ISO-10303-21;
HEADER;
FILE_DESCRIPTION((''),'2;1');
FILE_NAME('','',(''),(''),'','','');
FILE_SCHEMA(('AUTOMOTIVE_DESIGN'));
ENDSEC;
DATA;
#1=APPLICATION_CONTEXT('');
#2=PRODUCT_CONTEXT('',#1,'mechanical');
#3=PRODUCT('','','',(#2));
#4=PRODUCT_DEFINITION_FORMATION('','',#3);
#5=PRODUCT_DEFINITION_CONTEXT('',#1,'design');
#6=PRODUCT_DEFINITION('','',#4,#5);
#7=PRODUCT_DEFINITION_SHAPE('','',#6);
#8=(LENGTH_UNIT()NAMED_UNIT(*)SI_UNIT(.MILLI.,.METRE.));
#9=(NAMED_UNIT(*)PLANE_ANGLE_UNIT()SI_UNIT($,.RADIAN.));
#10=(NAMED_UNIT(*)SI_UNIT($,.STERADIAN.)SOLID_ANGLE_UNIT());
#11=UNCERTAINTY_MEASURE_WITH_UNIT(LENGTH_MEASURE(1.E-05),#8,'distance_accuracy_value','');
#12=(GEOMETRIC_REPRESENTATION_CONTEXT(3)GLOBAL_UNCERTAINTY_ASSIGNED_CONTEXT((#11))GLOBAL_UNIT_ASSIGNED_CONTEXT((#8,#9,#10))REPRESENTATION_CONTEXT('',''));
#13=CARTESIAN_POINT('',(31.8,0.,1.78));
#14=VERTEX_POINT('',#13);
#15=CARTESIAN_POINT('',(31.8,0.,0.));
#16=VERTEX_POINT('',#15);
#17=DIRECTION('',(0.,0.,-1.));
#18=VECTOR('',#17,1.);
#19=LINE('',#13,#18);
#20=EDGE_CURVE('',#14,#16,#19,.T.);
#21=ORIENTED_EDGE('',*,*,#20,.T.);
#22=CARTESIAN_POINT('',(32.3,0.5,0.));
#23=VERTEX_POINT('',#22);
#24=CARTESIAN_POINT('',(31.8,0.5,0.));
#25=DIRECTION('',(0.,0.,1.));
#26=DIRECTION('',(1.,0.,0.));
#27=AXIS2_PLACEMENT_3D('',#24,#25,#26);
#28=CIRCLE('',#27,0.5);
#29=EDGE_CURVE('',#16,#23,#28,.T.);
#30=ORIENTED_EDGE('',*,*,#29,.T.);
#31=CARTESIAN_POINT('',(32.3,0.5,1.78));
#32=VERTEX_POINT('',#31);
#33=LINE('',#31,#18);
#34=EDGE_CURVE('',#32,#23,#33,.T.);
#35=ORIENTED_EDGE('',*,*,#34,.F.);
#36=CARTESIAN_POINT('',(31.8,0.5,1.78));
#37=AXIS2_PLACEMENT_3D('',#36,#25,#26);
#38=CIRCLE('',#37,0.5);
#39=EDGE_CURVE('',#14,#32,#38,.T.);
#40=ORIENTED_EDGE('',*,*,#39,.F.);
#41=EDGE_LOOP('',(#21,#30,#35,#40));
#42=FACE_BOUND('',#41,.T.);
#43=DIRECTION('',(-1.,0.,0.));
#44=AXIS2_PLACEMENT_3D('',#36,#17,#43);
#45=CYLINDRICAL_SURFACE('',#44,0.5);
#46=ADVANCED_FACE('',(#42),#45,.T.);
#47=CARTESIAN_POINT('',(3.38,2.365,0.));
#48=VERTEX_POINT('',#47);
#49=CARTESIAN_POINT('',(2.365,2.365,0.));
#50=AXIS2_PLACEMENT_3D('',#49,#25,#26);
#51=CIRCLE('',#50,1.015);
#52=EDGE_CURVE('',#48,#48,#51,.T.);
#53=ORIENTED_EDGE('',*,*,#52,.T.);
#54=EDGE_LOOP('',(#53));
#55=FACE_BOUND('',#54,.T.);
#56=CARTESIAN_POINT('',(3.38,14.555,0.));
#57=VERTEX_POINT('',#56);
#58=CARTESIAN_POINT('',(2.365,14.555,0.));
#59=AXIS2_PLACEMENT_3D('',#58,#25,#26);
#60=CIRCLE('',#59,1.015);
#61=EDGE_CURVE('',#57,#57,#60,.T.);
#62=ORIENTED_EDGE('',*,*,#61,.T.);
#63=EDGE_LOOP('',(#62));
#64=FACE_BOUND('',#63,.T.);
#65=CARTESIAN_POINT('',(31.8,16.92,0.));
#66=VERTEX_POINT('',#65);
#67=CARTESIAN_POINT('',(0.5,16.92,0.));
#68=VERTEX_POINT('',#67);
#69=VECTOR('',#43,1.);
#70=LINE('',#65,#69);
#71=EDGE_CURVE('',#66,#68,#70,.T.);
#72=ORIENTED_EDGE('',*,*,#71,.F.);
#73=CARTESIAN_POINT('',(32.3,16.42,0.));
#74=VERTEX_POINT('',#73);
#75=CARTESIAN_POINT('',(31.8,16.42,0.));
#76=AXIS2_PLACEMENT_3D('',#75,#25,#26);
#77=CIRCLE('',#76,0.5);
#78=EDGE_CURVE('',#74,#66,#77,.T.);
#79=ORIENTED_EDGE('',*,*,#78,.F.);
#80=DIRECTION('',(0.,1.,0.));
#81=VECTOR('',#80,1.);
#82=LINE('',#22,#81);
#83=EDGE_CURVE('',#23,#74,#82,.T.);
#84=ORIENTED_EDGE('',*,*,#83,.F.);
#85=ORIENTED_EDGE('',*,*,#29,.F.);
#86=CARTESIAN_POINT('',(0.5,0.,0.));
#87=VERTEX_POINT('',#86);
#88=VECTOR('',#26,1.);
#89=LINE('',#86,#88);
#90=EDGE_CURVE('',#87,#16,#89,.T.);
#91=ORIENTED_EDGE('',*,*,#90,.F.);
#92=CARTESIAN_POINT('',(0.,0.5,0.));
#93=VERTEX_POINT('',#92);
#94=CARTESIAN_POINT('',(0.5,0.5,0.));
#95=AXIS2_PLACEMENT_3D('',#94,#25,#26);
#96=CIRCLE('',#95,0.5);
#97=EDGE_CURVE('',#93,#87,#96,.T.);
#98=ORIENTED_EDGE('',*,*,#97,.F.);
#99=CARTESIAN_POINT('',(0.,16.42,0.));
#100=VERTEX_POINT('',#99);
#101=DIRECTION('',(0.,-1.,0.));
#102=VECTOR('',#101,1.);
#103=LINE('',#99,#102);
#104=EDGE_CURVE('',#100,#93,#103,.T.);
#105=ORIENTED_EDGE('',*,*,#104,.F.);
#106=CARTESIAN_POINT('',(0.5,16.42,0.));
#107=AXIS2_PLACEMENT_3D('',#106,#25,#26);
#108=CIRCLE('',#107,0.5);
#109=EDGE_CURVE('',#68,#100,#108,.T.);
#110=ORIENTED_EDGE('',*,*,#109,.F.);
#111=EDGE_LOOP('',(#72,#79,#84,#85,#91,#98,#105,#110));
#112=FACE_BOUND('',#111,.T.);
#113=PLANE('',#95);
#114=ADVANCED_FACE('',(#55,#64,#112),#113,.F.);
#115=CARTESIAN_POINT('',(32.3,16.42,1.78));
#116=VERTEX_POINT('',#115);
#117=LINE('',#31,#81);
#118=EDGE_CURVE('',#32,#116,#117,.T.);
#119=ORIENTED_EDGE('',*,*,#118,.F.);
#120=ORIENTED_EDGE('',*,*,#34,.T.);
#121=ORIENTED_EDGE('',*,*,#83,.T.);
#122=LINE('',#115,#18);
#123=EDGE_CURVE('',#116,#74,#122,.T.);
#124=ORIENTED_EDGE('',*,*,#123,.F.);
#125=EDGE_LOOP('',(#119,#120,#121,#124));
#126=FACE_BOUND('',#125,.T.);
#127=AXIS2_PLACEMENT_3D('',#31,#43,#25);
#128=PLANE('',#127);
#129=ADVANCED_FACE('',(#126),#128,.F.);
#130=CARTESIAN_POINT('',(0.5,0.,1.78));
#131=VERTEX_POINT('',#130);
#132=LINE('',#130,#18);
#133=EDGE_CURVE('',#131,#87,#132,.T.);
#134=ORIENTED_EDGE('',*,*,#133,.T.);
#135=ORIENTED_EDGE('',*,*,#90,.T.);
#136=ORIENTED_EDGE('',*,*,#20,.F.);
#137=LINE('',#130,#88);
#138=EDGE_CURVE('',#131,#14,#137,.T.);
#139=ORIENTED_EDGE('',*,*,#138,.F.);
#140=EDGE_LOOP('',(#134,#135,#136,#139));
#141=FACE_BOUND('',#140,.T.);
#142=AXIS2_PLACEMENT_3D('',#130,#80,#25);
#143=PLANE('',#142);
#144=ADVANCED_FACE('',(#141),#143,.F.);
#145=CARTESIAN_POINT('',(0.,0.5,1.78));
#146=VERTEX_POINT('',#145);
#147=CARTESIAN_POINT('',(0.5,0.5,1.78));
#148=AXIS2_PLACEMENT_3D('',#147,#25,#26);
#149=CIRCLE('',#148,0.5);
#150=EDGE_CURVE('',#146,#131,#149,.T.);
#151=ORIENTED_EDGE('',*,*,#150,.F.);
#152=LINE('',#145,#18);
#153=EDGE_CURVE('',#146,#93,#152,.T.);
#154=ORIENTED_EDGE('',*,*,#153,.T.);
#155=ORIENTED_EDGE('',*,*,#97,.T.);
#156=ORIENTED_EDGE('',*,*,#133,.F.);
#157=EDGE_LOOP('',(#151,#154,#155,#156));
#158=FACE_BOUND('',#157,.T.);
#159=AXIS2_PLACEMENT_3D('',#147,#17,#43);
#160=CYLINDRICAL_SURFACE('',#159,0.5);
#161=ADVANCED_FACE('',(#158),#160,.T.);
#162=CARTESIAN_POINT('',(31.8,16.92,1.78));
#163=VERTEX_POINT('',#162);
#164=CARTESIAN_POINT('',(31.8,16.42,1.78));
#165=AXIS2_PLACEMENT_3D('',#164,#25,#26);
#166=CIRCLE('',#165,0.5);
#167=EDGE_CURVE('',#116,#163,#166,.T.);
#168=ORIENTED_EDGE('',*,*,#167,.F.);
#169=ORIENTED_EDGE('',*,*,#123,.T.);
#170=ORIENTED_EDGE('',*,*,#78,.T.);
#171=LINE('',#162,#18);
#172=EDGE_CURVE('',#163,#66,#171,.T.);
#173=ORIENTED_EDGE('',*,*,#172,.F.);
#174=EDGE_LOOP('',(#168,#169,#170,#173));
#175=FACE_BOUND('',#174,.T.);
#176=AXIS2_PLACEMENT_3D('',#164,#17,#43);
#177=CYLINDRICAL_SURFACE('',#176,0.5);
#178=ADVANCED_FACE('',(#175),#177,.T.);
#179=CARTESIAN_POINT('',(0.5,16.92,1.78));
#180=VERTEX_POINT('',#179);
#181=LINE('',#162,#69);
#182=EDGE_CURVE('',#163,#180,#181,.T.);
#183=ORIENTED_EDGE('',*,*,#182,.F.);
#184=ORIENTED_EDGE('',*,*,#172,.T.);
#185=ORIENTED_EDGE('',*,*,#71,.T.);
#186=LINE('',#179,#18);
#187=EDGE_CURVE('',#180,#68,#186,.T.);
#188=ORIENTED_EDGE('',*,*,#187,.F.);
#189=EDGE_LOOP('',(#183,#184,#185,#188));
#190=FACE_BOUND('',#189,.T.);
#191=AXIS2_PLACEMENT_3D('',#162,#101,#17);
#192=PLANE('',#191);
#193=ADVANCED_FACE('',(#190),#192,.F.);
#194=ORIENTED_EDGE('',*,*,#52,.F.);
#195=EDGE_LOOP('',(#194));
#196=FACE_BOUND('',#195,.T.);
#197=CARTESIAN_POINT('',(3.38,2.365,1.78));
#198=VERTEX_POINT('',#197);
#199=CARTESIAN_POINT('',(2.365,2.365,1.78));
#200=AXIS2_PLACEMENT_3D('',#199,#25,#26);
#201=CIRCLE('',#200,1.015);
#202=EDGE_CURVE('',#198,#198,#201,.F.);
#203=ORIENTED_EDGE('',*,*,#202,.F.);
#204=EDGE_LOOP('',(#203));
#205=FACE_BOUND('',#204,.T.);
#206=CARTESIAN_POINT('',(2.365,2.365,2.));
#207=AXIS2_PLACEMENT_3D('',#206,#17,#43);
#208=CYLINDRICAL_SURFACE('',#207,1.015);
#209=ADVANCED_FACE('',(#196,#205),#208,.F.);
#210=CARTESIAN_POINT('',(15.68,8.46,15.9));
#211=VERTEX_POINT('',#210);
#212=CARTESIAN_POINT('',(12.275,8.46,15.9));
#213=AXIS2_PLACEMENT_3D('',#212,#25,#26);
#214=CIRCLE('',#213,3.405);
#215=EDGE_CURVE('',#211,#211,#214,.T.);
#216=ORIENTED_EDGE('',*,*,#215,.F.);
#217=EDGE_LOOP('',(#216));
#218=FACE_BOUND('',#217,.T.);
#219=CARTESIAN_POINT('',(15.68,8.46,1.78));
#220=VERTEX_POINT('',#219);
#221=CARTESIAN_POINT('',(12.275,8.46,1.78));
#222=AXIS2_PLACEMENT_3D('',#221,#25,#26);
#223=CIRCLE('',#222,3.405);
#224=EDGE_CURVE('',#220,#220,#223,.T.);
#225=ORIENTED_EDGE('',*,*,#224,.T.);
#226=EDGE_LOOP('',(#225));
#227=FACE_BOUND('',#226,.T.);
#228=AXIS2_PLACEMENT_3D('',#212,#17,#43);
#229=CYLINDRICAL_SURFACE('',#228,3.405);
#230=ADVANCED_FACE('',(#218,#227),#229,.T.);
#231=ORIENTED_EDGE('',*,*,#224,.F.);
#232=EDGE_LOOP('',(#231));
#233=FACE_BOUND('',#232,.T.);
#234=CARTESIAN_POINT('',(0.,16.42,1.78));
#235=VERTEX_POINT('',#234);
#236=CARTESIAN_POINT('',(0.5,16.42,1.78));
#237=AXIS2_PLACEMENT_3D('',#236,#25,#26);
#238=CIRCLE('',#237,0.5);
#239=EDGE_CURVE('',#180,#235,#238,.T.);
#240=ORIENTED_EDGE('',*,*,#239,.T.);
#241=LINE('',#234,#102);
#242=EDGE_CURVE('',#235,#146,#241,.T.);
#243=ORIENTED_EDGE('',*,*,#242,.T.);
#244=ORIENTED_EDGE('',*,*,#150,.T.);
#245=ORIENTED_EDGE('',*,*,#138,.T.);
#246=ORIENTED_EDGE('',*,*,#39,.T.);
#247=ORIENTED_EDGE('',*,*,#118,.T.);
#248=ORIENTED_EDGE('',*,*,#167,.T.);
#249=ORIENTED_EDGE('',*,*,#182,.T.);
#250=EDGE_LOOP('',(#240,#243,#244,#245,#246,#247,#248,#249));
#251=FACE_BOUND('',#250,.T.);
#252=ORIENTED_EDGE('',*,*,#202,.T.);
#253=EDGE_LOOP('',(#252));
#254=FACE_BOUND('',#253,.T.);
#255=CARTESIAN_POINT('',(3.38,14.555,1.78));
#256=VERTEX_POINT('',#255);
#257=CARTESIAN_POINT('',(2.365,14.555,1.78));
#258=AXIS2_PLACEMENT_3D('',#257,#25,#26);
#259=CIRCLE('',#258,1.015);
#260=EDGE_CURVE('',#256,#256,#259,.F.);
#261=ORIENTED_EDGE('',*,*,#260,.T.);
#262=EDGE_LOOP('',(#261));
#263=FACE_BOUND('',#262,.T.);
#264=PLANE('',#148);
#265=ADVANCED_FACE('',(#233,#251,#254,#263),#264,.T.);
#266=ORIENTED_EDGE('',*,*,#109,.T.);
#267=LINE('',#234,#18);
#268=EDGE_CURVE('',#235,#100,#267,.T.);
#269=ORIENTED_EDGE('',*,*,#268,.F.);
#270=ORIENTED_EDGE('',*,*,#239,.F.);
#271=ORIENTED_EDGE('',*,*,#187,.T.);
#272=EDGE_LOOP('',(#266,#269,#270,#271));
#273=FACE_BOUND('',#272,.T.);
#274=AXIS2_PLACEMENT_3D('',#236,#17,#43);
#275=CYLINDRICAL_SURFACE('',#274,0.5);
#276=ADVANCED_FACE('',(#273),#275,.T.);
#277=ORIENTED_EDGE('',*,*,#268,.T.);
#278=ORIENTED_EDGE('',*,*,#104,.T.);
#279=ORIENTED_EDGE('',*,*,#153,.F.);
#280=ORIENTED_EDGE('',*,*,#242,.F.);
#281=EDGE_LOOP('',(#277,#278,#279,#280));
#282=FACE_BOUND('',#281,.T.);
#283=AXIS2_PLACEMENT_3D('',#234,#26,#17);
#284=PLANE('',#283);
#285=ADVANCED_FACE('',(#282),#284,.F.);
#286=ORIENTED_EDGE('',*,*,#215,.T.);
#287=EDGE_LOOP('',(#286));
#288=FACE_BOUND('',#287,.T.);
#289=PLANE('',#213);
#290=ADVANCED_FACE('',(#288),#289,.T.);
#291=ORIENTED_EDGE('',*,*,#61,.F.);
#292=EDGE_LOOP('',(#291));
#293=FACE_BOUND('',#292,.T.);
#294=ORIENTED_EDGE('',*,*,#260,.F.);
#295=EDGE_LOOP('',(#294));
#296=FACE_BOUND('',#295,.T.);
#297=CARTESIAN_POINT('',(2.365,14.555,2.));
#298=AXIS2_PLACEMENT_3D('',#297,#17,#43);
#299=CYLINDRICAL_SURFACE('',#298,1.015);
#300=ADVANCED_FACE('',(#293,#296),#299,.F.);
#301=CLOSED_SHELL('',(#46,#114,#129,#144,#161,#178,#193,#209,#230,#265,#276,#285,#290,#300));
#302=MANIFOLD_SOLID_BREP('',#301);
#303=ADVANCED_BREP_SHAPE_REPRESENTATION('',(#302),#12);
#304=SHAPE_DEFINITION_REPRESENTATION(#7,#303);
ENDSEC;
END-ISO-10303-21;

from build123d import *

# Parameters (mm, degrees)
MEASURED_ENCODER_PCB_DEPTH         = 1.78
SKETCH_2_R                         = 1.015
MEASURED_ENCODER_MOUNT_HOLES_DEPTH = 2
SHAFT_CLEARANCE_REFERENCE_START    = 1.78
SKETCH_3_R                         = 3.405
SHAFT_CLEARANCE_REFERENCE_DEPTH    = 14.12


with BuildPart() as part:
    # 草图1 → Measured_encoder_PCB (new body)
    with BuildSketch(Plane.XY):
        with BuildLine():
            Line((0.5, 0), (31.8, 0))
            ThreePointArc((31.8, 0), (32.153553391, 0.146446609), (32.3, 0.5))
            Line((32.3, 0.5), (32.3, 16.42))
            ThreePointArc((32.3, 16.42), (32.153553391, 16.773553391), (31.8, 16.92))
            Line((31.8, 16.92), (0.5, 16.92))
            ThreePointArc((0.5, 16.92), (0.146446609, 16.773553391), (0, 16.42))
            Line((0, 16.42), (0, 0.5))
            ThreePointArc((0, 0.5), (0.146446609, 0.146446609), (0.5, 0))
        make_face()
    extrude(amount=MEASURED_ENCODER_PCB_DEPTH)

    # 草图2 → Measured_encoder_mount_holes (cut)
    with BuildSketch(Plane.XY):
        with Locations((2.365, 2.365)):
            Circle(SKETCH_2_R)
        with Locations((2.365, 14.555)):
            Circle(SKETCH_2_R)
    extrude(amount=MEASURED_ENCODER_MOUNT_HOLES_DEPTH, mode=Mode.SUBTRACT)

    # 草图3 → Shaft_clearance_reference (add)
    with BuildSketch(Plane.XY.offset(SHAFT_CLEARANCE_REFERENCE_START)):
        with Locations((12.275, 8.46)):
            Circle(SKETCH_3_R)
    extrude(amount=SHAFT_CLEARANCE_REFERENCE_DEPTH)


solid = part.part
